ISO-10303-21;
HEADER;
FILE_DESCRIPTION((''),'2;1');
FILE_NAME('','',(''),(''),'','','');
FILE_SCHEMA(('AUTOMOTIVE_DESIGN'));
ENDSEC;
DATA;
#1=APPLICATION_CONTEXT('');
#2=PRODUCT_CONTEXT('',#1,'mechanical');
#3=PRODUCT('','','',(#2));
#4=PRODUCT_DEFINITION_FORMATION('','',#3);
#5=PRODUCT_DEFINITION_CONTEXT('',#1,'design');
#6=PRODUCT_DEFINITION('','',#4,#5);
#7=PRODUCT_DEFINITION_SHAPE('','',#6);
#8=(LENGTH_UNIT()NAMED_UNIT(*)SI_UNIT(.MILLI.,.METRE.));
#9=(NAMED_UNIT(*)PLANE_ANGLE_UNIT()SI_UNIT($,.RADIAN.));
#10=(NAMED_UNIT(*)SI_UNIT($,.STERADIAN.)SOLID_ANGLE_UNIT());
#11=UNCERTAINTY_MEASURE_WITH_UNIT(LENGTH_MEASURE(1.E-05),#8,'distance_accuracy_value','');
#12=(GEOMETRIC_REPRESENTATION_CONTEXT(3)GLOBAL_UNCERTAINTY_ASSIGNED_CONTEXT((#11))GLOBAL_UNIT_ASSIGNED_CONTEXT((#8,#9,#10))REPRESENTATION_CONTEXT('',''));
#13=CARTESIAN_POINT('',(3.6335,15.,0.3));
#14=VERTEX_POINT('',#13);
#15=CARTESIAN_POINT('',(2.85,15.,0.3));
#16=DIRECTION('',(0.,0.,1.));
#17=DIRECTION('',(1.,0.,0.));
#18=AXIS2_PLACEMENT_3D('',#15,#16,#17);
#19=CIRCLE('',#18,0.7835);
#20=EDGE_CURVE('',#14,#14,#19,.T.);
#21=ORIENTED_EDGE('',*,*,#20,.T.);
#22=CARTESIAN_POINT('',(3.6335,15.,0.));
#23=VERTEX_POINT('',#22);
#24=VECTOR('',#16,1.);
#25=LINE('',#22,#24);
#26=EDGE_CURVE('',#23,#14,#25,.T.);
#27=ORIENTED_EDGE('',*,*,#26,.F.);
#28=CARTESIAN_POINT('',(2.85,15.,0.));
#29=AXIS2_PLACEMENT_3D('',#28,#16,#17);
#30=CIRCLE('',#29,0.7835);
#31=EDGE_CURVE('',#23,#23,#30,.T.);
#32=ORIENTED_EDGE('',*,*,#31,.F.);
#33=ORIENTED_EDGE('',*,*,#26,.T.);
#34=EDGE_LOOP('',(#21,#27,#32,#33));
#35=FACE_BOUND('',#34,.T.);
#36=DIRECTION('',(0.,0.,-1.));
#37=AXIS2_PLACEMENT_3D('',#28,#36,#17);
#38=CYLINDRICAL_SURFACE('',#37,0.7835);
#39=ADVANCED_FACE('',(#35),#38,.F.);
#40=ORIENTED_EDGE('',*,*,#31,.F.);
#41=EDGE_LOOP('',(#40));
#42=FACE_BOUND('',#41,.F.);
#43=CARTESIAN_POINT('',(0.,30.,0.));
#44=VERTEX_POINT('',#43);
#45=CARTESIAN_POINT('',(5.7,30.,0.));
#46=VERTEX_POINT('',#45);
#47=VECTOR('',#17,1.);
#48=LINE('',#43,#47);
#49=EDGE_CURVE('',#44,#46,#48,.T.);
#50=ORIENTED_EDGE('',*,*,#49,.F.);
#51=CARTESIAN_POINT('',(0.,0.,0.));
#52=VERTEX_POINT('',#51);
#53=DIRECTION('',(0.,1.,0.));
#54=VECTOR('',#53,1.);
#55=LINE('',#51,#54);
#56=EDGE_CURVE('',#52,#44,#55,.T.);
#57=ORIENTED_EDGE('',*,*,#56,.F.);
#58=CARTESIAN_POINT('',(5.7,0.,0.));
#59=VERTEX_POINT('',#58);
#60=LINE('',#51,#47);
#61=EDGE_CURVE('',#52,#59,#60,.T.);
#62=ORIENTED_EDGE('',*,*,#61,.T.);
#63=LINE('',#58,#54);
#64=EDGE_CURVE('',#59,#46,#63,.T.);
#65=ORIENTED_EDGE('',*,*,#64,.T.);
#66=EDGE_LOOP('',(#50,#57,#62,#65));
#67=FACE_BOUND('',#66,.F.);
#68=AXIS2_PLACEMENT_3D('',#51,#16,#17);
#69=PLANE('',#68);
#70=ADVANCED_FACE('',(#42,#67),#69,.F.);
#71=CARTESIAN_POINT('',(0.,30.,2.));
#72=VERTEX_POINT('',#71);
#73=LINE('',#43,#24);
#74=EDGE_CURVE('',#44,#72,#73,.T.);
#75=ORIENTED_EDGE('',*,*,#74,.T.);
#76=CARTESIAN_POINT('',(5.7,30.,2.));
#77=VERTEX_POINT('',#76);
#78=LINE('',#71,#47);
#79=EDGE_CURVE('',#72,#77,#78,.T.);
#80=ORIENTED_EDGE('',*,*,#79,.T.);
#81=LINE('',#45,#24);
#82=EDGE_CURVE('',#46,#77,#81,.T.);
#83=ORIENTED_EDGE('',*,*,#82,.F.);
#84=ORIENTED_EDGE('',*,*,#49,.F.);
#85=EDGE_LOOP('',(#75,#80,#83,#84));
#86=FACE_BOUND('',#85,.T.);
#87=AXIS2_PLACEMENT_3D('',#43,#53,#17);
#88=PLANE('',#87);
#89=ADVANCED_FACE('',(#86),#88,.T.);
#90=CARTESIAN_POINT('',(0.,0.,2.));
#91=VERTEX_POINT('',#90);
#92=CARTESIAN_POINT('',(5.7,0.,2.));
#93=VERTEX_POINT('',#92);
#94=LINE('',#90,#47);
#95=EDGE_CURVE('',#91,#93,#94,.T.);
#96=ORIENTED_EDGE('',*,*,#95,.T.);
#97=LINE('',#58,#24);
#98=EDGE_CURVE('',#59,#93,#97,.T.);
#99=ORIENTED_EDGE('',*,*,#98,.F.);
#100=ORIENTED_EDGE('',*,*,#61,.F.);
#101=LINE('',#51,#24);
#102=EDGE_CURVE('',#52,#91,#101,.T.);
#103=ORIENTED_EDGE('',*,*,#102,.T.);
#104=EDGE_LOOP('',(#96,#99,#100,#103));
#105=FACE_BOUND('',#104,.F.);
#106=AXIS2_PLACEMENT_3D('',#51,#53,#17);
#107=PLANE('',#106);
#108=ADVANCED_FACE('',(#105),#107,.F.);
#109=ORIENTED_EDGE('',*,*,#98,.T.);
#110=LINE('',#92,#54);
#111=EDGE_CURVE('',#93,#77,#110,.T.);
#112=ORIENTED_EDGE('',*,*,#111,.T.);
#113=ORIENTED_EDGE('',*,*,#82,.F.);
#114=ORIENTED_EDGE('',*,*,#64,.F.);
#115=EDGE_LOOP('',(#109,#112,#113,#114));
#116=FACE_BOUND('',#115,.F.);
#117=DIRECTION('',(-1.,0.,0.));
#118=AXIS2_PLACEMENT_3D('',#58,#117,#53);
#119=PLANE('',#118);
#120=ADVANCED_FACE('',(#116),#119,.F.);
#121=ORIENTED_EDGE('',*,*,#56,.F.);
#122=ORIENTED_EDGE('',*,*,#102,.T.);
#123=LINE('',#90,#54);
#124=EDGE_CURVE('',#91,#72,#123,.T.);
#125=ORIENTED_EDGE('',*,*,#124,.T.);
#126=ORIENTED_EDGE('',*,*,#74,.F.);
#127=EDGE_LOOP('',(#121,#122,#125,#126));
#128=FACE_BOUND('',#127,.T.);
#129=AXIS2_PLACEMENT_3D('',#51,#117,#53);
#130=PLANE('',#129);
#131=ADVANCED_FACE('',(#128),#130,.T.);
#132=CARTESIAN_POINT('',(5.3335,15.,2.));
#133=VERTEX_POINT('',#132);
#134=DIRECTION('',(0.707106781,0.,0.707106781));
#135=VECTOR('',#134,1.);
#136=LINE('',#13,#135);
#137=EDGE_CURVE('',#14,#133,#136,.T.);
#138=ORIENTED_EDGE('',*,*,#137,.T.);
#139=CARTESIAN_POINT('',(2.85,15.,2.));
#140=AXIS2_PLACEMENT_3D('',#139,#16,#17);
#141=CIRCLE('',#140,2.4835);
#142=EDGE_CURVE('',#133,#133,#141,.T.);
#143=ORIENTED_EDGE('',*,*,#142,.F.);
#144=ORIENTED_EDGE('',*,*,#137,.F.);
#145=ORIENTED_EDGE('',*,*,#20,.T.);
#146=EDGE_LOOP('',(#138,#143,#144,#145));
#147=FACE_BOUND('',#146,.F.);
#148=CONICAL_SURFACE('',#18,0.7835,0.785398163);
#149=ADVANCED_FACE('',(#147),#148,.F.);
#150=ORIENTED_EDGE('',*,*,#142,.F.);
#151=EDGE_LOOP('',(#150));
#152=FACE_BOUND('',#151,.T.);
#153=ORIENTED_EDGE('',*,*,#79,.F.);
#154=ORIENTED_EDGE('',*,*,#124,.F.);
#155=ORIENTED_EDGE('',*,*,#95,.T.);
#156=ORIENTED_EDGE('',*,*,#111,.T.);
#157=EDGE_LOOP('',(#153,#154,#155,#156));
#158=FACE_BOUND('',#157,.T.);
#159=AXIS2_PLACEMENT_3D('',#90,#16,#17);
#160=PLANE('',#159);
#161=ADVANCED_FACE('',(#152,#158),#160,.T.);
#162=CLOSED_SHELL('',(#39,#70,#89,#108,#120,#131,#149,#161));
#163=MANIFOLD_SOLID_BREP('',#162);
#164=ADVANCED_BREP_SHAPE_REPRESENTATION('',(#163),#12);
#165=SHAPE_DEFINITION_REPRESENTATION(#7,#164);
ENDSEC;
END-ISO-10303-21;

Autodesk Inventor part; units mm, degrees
ref_plane "YZ Plane" through (0, 0, 0) normal (1, 0, 0) x (0, 1, 0)
ref_plane "XZ Plane" through (0, 0, 0) normal (0, 1, 0) x (-1, 0, 0)
ref_plane "XY Plane" through (0, 0, 0) normal (0, 0, 1) x (1, 0, 0)
sketch "Skizze1" plane through (0, 0, 0) normal (0, 0, 1) x (1, 0, 0)
  circle A0 centre (2.85, 15) radius 0.7835 projected
  line L0 (0, 0) -> (5.7, 0) projected
  line L1 (5.7, 0) -> (5.7, 30) projected
  line L2 (0, 30) -> (5.7, 30) projected
  line L3 (0, 0) -> (0, 30) projected
extrude "Extrusion1" add sketch "Skizze1" along normal blind 2
chamfer "Fasen1" distance 1.7 angle 45 1 edges at (2.0665, 15, 2)
properties part number "LagerHH" material "Polyethylen, hohe Dichte, Gleitfläche"
